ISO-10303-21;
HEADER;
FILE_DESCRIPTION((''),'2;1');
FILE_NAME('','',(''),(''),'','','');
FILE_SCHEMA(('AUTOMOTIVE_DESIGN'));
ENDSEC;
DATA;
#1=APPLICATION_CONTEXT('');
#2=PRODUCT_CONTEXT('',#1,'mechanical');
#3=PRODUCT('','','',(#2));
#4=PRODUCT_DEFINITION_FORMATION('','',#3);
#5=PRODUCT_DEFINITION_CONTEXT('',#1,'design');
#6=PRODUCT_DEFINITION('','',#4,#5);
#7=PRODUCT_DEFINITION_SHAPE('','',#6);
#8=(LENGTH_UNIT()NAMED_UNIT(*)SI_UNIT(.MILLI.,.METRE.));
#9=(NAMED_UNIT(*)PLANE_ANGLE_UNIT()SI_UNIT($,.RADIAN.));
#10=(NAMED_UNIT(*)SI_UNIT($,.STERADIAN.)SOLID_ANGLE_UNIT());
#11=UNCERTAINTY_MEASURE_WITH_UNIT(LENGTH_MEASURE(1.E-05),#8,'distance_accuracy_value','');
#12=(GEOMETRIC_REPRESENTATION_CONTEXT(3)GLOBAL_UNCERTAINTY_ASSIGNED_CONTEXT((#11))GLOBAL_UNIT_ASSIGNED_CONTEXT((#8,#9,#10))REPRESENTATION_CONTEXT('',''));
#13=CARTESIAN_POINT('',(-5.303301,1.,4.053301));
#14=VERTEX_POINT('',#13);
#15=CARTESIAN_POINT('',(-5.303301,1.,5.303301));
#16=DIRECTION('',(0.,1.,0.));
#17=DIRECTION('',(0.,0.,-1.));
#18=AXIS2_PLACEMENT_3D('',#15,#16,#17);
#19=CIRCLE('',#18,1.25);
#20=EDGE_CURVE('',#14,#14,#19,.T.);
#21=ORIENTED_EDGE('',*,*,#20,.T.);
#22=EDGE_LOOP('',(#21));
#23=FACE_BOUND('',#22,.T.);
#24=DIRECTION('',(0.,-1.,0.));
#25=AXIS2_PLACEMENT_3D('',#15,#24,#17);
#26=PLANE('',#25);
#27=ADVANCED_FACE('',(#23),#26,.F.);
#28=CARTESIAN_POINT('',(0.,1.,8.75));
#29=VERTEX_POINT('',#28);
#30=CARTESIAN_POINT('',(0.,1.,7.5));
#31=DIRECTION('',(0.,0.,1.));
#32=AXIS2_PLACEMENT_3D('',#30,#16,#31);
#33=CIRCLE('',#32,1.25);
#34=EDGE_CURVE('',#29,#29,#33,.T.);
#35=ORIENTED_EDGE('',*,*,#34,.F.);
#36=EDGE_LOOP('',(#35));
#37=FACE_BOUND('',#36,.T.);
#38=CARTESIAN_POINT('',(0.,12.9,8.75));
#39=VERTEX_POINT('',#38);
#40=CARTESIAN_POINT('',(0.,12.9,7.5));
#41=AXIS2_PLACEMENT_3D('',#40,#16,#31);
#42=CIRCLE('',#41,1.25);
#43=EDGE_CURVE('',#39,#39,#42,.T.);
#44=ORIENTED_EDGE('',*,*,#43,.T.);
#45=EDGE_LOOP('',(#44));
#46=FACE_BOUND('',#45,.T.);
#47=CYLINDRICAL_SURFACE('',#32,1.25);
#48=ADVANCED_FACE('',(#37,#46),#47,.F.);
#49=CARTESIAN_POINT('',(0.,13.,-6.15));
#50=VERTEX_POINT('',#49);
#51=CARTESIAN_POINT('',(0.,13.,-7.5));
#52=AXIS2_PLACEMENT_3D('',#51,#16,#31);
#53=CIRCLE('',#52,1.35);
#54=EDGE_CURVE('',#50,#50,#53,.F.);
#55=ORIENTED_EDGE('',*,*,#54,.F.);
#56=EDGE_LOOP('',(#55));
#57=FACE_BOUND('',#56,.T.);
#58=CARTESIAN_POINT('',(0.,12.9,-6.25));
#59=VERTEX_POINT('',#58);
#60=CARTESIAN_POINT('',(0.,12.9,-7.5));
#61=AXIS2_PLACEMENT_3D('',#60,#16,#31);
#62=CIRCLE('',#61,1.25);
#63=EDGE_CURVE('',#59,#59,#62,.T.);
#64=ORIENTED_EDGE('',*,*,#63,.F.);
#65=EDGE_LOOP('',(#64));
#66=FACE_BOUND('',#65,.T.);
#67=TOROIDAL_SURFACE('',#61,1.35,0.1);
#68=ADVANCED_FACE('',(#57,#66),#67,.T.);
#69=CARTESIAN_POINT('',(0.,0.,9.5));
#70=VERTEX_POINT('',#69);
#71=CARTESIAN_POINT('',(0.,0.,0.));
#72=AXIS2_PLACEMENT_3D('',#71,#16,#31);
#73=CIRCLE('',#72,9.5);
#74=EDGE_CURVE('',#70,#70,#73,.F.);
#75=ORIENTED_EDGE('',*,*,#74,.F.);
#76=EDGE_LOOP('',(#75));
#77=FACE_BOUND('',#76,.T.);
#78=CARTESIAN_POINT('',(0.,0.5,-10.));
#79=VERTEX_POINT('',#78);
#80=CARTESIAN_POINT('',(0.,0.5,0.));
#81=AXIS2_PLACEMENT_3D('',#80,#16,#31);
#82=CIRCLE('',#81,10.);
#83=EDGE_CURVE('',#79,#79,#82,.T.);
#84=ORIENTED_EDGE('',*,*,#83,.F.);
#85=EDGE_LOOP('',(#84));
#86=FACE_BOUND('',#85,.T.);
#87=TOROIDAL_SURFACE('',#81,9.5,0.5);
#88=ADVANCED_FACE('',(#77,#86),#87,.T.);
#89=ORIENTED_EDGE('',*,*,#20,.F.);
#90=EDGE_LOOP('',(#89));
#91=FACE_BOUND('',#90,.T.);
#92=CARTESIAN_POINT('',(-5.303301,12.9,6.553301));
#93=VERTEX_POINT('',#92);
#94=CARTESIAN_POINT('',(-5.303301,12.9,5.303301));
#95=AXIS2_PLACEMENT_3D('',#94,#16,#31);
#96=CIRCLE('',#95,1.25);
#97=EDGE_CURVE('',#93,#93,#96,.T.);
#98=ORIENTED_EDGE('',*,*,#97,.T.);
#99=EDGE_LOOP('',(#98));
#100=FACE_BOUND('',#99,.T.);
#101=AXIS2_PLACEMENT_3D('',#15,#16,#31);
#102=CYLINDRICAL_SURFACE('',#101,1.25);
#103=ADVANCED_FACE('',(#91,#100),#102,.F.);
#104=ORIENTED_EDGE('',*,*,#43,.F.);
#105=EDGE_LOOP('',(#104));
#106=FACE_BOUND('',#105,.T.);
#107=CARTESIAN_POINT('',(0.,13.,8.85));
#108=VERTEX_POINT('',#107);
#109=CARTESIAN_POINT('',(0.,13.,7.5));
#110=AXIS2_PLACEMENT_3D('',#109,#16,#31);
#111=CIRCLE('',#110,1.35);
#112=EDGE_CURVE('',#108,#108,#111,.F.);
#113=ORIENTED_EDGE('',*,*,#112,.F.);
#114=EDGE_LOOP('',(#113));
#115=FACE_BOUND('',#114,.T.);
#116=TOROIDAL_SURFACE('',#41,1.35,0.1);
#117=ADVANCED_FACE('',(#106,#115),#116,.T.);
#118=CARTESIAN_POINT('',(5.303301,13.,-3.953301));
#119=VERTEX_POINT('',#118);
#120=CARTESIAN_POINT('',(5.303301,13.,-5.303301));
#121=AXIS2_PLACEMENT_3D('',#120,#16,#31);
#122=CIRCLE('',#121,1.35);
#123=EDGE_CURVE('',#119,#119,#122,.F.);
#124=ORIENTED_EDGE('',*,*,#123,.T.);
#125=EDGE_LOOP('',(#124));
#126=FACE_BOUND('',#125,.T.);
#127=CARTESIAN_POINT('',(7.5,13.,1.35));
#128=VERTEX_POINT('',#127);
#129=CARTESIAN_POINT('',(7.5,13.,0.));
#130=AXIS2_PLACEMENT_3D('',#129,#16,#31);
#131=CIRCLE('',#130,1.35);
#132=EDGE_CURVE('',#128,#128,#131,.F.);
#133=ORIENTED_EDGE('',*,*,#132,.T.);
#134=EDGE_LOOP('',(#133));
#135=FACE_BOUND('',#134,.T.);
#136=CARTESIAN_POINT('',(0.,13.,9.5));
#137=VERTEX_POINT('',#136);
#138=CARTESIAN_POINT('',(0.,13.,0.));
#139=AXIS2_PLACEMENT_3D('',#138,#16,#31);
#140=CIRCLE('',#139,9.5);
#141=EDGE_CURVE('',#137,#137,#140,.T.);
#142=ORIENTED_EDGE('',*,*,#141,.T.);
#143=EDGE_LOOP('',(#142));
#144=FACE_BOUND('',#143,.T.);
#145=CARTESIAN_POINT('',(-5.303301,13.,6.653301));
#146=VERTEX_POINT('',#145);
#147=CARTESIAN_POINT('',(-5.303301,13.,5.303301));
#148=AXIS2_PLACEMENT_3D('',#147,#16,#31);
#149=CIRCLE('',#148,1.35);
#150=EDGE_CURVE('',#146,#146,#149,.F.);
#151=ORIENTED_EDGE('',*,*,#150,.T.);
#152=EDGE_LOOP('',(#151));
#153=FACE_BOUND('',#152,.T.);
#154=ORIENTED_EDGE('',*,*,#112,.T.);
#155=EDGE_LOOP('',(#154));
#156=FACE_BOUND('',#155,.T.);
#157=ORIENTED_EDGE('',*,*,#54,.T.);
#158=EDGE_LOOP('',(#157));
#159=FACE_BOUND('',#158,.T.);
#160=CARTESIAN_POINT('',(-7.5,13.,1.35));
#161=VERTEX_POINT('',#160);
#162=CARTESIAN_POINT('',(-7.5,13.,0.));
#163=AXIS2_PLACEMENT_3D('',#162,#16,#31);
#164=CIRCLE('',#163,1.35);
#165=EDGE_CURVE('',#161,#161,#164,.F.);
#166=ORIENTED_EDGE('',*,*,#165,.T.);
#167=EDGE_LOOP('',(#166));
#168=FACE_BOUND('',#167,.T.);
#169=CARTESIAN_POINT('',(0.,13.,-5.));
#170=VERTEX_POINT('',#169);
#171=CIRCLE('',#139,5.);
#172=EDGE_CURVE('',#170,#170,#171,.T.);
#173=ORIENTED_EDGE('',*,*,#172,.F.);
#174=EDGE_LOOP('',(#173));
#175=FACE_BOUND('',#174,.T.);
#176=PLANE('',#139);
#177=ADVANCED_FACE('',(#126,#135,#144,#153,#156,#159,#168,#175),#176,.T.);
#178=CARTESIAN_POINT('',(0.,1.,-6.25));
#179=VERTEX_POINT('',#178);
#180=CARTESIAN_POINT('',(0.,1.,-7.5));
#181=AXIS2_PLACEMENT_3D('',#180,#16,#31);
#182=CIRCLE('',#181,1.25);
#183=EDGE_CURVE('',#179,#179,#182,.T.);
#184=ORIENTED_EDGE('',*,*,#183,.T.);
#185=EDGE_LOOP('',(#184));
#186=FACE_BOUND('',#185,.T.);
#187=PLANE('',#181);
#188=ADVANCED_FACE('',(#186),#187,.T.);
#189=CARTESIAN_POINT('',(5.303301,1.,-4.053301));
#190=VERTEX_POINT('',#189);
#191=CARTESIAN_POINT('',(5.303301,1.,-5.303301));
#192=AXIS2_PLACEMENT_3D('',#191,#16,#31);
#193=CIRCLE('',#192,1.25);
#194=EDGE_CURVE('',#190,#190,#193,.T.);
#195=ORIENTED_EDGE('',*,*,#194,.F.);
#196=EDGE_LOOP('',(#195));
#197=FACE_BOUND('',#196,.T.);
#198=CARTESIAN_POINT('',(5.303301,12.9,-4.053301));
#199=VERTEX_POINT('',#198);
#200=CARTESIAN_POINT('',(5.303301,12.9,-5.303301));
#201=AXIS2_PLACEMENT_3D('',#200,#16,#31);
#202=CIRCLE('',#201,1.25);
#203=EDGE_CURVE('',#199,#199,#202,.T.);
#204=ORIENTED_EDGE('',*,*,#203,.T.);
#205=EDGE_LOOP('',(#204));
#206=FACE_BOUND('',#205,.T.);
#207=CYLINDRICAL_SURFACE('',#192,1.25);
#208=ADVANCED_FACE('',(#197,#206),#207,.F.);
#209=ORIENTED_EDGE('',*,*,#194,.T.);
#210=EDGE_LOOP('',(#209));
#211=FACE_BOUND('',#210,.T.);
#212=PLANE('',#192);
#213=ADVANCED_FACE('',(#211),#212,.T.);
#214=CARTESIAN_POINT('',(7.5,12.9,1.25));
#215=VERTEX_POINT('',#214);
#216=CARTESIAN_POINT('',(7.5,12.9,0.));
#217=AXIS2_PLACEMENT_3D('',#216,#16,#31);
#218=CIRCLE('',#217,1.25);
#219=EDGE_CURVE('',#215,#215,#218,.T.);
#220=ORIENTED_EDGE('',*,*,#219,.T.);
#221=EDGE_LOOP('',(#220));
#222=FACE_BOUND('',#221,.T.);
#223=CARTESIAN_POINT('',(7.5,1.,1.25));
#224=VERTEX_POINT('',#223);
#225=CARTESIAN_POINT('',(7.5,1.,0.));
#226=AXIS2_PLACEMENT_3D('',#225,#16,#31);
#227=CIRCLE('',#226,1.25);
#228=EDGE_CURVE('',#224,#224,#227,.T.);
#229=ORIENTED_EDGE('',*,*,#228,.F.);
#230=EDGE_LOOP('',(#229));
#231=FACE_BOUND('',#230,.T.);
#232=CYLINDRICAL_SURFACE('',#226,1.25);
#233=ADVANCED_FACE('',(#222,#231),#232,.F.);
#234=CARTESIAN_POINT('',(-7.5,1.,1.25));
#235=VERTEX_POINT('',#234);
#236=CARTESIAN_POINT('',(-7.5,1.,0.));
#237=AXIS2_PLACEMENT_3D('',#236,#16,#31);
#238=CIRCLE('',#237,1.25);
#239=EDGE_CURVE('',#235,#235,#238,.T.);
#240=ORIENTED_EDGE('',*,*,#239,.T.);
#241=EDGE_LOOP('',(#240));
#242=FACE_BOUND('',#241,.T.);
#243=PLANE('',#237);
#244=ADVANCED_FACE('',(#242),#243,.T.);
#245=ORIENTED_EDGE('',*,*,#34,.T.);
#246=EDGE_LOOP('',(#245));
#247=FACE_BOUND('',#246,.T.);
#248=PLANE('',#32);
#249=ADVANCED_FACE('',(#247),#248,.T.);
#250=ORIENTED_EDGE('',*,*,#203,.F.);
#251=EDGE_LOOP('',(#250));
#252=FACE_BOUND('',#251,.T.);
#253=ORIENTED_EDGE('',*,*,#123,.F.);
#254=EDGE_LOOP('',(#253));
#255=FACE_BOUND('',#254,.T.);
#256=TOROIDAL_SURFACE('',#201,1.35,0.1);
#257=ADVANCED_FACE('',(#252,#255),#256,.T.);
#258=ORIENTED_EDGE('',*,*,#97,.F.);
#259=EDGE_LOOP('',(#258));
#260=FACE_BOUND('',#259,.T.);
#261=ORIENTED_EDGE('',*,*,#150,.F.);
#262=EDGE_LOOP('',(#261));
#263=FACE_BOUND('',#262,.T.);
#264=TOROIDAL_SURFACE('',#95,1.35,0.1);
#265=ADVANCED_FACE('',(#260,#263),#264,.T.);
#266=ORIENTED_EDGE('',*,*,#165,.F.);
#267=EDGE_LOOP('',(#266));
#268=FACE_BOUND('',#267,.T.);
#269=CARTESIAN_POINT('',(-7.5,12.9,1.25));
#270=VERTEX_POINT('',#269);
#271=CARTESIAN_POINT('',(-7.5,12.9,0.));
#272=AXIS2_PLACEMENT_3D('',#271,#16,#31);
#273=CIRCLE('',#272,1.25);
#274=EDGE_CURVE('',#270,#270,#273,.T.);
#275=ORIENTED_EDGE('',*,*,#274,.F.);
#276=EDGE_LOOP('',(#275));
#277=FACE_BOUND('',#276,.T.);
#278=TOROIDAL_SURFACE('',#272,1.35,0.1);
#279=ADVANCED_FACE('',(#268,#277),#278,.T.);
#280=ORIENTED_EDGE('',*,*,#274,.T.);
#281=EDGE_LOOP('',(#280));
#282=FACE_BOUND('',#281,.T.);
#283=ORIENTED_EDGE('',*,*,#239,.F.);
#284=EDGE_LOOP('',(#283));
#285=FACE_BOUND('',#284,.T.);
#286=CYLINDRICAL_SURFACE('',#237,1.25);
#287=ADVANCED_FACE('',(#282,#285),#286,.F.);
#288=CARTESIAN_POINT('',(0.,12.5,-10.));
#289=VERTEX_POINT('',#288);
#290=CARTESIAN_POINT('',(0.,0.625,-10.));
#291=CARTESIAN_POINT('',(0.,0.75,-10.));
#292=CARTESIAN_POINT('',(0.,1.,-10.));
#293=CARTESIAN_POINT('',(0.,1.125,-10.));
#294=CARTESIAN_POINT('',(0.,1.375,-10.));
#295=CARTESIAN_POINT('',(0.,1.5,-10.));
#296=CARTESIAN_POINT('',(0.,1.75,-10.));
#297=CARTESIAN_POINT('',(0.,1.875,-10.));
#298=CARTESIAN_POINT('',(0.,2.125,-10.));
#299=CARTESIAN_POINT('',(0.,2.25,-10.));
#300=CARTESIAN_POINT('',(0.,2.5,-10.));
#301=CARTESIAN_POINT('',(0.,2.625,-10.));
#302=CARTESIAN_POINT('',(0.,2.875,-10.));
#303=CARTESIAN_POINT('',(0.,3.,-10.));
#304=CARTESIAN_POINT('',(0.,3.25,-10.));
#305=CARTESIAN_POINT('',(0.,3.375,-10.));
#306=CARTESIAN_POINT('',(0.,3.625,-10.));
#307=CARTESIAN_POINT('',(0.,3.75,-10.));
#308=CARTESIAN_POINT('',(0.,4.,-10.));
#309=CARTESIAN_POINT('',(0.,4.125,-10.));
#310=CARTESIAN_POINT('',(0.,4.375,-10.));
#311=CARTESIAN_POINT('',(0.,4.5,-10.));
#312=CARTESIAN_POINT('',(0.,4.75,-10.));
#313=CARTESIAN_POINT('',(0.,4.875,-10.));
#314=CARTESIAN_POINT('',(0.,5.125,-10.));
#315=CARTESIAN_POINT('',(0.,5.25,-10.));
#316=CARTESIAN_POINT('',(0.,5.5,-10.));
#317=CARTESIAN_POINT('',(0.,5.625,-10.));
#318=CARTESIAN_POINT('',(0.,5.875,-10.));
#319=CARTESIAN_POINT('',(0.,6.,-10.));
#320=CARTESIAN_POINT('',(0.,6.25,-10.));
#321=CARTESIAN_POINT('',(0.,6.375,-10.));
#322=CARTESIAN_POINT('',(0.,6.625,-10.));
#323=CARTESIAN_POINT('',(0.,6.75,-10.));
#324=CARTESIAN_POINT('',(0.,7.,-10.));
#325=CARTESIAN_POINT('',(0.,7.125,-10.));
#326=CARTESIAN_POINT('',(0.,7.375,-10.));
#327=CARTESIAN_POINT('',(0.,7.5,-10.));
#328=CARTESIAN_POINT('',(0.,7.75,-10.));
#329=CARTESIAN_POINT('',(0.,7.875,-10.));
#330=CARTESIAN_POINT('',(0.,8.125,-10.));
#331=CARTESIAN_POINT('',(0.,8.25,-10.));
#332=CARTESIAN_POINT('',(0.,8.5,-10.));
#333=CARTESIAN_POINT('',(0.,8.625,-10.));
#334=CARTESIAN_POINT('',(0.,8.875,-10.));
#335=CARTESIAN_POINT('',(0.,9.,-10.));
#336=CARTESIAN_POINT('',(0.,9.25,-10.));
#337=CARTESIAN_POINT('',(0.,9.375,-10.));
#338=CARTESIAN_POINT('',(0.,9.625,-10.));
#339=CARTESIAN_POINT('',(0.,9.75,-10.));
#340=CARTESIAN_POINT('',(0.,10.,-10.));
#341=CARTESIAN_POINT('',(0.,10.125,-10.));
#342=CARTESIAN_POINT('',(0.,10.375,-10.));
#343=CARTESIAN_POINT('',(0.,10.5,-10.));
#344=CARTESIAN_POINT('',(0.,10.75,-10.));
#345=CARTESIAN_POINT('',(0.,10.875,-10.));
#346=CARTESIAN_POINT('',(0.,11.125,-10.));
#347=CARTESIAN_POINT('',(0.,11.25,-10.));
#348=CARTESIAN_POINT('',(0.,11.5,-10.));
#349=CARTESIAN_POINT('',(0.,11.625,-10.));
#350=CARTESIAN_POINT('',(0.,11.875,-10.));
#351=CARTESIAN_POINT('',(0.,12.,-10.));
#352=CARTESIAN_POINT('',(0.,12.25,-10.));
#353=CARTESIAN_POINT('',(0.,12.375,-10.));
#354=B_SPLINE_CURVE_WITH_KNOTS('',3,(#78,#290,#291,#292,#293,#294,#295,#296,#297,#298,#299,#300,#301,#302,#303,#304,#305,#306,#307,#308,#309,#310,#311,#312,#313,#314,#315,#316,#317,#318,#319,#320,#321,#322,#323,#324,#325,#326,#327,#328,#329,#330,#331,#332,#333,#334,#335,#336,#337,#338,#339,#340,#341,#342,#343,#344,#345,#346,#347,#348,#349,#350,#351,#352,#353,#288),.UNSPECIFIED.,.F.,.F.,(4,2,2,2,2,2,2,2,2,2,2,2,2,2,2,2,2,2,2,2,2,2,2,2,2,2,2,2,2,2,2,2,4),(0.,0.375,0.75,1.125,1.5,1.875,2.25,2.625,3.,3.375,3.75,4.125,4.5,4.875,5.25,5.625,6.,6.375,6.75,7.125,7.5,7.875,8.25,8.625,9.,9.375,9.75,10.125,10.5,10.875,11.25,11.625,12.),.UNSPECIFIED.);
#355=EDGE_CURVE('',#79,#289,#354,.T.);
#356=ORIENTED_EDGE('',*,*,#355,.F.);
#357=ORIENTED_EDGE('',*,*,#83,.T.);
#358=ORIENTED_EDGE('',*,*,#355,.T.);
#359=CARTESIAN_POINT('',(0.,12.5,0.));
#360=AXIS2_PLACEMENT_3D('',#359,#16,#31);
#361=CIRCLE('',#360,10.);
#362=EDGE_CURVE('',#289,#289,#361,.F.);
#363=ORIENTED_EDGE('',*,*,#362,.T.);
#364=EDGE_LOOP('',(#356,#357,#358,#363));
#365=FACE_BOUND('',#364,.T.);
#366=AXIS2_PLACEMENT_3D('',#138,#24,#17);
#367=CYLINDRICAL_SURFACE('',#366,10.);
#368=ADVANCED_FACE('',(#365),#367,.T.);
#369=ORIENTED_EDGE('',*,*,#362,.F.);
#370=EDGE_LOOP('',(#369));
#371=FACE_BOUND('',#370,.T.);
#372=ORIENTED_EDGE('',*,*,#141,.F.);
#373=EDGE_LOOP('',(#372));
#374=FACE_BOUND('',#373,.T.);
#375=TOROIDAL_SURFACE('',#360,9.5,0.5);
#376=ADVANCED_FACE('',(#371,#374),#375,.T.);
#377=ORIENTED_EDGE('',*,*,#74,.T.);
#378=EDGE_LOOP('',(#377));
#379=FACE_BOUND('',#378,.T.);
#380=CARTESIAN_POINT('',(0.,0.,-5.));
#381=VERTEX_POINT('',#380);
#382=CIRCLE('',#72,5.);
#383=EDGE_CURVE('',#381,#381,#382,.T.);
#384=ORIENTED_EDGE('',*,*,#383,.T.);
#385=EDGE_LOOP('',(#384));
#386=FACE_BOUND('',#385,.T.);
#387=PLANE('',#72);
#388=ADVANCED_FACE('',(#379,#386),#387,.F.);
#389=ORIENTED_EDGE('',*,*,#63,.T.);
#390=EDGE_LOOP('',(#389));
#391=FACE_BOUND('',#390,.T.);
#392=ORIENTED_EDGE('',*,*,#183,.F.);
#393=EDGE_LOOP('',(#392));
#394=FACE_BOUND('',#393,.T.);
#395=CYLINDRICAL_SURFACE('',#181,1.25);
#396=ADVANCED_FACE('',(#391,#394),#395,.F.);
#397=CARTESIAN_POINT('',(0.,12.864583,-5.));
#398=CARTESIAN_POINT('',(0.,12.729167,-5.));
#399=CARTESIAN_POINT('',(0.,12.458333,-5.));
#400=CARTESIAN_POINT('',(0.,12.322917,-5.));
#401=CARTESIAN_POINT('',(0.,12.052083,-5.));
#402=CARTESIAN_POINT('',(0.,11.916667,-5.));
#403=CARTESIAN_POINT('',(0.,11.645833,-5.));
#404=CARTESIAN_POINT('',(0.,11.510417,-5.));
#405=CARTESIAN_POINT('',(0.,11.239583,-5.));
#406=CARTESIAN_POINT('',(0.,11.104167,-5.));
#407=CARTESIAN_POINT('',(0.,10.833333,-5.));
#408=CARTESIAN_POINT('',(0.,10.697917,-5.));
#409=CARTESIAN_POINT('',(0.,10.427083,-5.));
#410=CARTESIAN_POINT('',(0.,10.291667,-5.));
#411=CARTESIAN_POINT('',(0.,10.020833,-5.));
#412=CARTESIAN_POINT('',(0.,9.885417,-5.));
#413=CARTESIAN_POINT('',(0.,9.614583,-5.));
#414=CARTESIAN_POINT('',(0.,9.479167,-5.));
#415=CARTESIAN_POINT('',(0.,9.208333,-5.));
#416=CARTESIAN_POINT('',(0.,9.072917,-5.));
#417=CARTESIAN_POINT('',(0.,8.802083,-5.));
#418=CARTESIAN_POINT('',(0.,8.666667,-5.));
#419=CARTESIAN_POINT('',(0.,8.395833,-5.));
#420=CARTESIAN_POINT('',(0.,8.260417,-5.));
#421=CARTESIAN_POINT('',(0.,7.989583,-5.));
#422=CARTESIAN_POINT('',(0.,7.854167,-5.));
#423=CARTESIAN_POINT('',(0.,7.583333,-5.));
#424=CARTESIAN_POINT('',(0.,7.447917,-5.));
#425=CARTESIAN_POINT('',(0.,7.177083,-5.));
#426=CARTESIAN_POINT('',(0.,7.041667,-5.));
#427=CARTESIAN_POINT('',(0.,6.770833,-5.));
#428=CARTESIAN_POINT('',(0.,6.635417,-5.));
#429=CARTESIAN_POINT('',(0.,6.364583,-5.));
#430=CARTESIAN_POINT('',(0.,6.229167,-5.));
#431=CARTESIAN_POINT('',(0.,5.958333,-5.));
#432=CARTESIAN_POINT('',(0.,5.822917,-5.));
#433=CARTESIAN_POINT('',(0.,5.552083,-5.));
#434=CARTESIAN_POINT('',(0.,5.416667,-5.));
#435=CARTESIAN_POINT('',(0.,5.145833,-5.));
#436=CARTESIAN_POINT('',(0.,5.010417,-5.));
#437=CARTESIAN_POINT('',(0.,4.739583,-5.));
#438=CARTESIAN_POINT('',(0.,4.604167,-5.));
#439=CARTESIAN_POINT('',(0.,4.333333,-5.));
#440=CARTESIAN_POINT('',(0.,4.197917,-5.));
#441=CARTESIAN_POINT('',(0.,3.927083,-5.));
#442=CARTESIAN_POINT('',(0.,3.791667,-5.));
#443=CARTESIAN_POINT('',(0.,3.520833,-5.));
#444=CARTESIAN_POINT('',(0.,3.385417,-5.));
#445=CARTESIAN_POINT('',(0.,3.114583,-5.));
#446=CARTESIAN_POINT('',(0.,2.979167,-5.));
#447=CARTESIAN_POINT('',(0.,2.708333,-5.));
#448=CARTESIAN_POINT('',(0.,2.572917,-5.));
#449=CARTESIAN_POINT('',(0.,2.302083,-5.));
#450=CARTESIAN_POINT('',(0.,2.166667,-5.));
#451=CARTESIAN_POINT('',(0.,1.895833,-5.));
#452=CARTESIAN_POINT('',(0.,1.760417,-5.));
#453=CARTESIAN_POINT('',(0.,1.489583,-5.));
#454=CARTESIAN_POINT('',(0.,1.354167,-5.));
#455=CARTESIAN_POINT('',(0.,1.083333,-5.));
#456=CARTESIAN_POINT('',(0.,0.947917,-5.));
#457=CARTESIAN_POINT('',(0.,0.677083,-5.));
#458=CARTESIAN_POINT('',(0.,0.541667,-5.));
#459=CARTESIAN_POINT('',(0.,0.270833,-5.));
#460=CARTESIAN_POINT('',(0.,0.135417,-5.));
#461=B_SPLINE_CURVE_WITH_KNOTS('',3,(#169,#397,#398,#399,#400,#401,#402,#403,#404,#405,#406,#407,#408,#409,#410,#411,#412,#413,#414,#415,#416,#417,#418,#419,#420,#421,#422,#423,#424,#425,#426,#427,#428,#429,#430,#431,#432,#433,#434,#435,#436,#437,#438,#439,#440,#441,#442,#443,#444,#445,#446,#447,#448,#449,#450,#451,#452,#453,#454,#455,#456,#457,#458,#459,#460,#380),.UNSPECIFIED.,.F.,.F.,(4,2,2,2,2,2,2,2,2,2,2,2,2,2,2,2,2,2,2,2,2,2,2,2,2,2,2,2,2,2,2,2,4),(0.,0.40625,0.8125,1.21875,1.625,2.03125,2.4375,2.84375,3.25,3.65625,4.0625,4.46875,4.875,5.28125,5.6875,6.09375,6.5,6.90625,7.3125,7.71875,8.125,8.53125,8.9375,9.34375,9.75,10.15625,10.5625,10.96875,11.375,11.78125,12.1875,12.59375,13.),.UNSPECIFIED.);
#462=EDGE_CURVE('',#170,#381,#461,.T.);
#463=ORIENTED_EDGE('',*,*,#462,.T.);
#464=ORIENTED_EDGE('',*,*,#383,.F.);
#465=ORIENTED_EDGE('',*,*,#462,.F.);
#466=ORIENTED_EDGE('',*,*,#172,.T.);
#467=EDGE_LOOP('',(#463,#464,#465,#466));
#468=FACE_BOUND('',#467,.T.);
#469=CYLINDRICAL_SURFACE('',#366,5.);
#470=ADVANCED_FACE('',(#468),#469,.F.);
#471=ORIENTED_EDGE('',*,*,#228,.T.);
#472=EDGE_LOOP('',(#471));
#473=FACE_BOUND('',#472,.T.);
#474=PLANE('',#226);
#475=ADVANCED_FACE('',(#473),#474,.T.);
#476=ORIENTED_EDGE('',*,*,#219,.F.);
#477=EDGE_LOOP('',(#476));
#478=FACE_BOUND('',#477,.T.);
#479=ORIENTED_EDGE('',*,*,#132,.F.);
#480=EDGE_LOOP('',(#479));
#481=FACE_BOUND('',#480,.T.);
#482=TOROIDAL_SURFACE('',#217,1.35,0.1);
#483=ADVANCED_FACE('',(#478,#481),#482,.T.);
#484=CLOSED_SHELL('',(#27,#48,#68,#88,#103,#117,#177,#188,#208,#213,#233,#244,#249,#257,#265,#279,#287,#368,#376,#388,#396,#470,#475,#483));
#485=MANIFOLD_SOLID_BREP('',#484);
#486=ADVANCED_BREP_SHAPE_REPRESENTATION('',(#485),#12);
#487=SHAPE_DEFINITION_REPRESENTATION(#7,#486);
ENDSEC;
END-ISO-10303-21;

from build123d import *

# Parameters (mm, degrees)
SKETCH1_R           = 10
SKETCH1_R_2         = 5
BOSS_EXTRUDE1_DEPTH = 13
SKETCH2_R           = 1.25
CUT_EXTRUDE1_DEPTH  = 12
FILLET1_R           = 0.5
FILLET2_R           = 0.1


with BuildPart() as part:
    # Sketch1 → Boss-Extrude1 (new body)
    with BuildSketch(Plane(origin=(0, 0, 0), x_dir=(1, 0, 0), z_dir=(0, 1, 0))):
        with Locations(Location((0, 0, 0), (0, 0, 90))):
            Circle(SKETCH1_R)
        with Locations(Location((0, 0, 0), (0, 0, 90))):
            Circle(SKETCH1_R_2, mode=Mode.SUBTRACT)
    extrude(amount=BOSS_EXTRUDE1_DEPTH)

    # Sketch2 → Cut-Extrude1 (cut)
    with BuildSketch(Plane(origin=(0, 13, 0), x_dir=(1, 0, 0), z_dir=(0, 1, 0))):
        with Locations(Location((0, 7.5, 0), (0, 0, 270))):
            Circle(SKETCH2_R)
        with Locations(Location((7.5, 0, 0), (0, 0, 270))):
            Circle(SKETCH2_R)
        with Locations(Location((0, -7.5, 0), (0, 0, 270))):
            Circle(SKETCH2_R)
        with Locations(Location((-7.5, 0, 0), (0, 0, 270))):
            Circle(SKETCH2_R)
        with Locations(Location((5.303300859, 5.303300859, 0), (0, 0, 270))):
            Circle(SKETCH2_R)
        with Locations(Location((-5.303300859, -5.303300859, 0), (0, 0, 90))):
            Circle(SKETCH2_R)
    extrude(amount=-CUT_EXTRUDE1_DEPTH, mode=Mode.SUBTRACT)

    # Fillet1
    fillet1_edges = [part.edges().sort_by_distance(p)[0] for p in [
        (0, 0, 10),
        (0, 13, 10),
    ]]
    fillet(fillet1_edges, radius=FILLET1_R)

    # Fillet2
    fillet2_edges = [part.edges().sort_by_distance(p)[0] for p in [
        (5.303300859, 13, -6.553300859),
        (-7.5, 13, -1.25),
        (0, 13, 6.25),
        (7.5, 13, -1.25),
        (-5.303300859, 13, 6.553300859),
        (0, 13, -8.75),
    ]]
    fillet(fillet2_edges, radius=FILLET2_R)


solid = part.part
